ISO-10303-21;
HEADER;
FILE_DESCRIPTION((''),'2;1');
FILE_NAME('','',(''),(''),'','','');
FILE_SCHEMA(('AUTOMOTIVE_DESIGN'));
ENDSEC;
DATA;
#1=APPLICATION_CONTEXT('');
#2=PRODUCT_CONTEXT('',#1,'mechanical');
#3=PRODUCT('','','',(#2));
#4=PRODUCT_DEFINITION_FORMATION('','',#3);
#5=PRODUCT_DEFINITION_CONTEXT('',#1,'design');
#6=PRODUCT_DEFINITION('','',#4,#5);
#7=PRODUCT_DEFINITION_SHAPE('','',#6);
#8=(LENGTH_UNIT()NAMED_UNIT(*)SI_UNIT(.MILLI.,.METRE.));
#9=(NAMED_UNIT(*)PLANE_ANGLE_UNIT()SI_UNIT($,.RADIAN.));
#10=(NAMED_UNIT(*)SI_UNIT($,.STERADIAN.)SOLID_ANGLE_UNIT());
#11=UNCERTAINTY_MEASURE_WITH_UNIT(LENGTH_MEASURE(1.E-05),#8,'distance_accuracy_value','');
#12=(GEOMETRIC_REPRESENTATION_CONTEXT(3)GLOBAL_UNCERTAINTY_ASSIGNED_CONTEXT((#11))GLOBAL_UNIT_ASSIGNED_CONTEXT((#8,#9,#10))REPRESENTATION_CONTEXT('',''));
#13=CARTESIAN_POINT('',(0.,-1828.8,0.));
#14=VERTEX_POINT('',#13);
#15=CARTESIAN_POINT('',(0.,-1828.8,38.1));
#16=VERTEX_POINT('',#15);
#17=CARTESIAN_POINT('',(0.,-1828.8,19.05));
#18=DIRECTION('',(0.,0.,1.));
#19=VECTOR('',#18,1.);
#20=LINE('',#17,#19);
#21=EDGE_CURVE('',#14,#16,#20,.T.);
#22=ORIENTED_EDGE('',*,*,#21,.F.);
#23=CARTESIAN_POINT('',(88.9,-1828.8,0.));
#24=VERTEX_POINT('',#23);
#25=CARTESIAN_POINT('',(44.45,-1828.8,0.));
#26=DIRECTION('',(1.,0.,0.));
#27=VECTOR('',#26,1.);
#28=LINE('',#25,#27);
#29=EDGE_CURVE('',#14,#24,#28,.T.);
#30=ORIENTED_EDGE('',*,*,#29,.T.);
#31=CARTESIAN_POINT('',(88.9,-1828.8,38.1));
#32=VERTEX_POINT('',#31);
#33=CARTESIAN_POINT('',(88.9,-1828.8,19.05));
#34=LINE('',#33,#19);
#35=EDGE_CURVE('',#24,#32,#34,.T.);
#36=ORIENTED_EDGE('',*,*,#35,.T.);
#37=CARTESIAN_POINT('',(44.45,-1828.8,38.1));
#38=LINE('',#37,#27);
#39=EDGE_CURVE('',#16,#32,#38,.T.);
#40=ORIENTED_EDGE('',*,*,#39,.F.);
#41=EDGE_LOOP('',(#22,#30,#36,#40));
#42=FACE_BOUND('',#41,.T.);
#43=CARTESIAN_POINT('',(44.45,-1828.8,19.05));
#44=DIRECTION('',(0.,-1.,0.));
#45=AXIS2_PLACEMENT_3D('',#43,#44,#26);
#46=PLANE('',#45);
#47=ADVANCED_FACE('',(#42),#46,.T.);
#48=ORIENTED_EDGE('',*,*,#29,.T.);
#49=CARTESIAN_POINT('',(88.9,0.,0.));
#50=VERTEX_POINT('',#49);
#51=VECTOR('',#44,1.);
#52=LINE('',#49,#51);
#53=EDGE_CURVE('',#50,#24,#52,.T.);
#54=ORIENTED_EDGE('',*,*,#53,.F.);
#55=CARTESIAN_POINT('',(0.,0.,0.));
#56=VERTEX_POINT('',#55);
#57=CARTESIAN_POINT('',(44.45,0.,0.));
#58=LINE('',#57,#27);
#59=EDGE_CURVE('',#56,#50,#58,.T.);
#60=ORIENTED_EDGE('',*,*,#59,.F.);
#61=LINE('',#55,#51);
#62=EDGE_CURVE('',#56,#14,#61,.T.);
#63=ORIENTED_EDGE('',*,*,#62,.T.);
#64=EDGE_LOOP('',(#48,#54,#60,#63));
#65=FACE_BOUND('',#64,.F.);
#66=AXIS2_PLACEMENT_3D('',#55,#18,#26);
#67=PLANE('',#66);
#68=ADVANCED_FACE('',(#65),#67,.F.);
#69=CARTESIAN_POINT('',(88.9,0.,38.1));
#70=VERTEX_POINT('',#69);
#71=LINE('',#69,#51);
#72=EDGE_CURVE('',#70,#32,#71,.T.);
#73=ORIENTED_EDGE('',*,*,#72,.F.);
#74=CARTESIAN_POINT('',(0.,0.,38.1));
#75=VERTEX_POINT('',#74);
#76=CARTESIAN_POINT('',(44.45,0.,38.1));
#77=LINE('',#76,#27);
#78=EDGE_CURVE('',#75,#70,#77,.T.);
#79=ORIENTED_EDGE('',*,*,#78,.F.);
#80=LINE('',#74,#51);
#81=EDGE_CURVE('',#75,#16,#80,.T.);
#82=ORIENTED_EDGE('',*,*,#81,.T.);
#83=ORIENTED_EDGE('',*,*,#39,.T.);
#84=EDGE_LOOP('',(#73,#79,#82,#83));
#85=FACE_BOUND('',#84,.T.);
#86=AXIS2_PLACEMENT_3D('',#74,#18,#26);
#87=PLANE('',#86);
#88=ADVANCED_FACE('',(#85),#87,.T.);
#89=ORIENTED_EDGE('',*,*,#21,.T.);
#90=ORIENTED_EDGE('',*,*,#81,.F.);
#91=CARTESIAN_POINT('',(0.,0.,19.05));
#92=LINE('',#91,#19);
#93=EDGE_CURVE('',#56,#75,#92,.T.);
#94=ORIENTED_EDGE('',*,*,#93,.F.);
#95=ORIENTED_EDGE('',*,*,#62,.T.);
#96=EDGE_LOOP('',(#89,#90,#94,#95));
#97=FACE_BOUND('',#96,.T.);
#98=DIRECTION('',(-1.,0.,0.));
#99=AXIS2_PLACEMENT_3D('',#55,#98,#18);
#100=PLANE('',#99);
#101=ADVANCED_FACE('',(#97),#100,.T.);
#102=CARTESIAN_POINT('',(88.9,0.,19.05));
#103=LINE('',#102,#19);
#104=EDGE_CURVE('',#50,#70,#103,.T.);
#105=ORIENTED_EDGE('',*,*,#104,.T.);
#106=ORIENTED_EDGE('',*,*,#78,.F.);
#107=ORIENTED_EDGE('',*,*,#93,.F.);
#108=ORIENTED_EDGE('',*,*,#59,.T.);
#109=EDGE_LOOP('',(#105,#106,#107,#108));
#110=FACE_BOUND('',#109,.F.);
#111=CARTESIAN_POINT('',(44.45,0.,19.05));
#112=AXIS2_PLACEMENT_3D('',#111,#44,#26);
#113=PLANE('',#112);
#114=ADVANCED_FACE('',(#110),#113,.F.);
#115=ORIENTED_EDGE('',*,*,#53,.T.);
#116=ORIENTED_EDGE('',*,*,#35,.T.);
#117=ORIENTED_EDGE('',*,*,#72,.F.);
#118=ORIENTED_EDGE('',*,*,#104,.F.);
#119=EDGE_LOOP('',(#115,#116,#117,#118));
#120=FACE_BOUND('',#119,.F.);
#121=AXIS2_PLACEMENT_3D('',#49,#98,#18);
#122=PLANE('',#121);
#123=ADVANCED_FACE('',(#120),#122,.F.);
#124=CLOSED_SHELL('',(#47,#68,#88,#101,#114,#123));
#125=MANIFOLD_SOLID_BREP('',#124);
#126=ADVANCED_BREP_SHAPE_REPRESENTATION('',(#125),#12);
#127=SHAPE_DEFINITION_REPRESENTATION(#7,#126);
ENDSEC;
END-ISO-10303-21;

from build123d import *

# Parameters (mm, degrees)
F0_W     = 88.9
F0_H     = 38.1
F1_DEPTH = 1828.8


with BuildPart() as f1:
    # F0 (on Front) → F1 (new body)
    with BuildSketch(Plane.XZ):
        with Locations((44.45, 19.05)):
            Rectangle(F0_W, F0_H)
    extrude(amount=F1_DEPTH)


with BuildPart() as f2_1:
    # F2: copy of F1
    add(f1.part.moved(Location((203.2, 0, 0))))


solid = f1.part
